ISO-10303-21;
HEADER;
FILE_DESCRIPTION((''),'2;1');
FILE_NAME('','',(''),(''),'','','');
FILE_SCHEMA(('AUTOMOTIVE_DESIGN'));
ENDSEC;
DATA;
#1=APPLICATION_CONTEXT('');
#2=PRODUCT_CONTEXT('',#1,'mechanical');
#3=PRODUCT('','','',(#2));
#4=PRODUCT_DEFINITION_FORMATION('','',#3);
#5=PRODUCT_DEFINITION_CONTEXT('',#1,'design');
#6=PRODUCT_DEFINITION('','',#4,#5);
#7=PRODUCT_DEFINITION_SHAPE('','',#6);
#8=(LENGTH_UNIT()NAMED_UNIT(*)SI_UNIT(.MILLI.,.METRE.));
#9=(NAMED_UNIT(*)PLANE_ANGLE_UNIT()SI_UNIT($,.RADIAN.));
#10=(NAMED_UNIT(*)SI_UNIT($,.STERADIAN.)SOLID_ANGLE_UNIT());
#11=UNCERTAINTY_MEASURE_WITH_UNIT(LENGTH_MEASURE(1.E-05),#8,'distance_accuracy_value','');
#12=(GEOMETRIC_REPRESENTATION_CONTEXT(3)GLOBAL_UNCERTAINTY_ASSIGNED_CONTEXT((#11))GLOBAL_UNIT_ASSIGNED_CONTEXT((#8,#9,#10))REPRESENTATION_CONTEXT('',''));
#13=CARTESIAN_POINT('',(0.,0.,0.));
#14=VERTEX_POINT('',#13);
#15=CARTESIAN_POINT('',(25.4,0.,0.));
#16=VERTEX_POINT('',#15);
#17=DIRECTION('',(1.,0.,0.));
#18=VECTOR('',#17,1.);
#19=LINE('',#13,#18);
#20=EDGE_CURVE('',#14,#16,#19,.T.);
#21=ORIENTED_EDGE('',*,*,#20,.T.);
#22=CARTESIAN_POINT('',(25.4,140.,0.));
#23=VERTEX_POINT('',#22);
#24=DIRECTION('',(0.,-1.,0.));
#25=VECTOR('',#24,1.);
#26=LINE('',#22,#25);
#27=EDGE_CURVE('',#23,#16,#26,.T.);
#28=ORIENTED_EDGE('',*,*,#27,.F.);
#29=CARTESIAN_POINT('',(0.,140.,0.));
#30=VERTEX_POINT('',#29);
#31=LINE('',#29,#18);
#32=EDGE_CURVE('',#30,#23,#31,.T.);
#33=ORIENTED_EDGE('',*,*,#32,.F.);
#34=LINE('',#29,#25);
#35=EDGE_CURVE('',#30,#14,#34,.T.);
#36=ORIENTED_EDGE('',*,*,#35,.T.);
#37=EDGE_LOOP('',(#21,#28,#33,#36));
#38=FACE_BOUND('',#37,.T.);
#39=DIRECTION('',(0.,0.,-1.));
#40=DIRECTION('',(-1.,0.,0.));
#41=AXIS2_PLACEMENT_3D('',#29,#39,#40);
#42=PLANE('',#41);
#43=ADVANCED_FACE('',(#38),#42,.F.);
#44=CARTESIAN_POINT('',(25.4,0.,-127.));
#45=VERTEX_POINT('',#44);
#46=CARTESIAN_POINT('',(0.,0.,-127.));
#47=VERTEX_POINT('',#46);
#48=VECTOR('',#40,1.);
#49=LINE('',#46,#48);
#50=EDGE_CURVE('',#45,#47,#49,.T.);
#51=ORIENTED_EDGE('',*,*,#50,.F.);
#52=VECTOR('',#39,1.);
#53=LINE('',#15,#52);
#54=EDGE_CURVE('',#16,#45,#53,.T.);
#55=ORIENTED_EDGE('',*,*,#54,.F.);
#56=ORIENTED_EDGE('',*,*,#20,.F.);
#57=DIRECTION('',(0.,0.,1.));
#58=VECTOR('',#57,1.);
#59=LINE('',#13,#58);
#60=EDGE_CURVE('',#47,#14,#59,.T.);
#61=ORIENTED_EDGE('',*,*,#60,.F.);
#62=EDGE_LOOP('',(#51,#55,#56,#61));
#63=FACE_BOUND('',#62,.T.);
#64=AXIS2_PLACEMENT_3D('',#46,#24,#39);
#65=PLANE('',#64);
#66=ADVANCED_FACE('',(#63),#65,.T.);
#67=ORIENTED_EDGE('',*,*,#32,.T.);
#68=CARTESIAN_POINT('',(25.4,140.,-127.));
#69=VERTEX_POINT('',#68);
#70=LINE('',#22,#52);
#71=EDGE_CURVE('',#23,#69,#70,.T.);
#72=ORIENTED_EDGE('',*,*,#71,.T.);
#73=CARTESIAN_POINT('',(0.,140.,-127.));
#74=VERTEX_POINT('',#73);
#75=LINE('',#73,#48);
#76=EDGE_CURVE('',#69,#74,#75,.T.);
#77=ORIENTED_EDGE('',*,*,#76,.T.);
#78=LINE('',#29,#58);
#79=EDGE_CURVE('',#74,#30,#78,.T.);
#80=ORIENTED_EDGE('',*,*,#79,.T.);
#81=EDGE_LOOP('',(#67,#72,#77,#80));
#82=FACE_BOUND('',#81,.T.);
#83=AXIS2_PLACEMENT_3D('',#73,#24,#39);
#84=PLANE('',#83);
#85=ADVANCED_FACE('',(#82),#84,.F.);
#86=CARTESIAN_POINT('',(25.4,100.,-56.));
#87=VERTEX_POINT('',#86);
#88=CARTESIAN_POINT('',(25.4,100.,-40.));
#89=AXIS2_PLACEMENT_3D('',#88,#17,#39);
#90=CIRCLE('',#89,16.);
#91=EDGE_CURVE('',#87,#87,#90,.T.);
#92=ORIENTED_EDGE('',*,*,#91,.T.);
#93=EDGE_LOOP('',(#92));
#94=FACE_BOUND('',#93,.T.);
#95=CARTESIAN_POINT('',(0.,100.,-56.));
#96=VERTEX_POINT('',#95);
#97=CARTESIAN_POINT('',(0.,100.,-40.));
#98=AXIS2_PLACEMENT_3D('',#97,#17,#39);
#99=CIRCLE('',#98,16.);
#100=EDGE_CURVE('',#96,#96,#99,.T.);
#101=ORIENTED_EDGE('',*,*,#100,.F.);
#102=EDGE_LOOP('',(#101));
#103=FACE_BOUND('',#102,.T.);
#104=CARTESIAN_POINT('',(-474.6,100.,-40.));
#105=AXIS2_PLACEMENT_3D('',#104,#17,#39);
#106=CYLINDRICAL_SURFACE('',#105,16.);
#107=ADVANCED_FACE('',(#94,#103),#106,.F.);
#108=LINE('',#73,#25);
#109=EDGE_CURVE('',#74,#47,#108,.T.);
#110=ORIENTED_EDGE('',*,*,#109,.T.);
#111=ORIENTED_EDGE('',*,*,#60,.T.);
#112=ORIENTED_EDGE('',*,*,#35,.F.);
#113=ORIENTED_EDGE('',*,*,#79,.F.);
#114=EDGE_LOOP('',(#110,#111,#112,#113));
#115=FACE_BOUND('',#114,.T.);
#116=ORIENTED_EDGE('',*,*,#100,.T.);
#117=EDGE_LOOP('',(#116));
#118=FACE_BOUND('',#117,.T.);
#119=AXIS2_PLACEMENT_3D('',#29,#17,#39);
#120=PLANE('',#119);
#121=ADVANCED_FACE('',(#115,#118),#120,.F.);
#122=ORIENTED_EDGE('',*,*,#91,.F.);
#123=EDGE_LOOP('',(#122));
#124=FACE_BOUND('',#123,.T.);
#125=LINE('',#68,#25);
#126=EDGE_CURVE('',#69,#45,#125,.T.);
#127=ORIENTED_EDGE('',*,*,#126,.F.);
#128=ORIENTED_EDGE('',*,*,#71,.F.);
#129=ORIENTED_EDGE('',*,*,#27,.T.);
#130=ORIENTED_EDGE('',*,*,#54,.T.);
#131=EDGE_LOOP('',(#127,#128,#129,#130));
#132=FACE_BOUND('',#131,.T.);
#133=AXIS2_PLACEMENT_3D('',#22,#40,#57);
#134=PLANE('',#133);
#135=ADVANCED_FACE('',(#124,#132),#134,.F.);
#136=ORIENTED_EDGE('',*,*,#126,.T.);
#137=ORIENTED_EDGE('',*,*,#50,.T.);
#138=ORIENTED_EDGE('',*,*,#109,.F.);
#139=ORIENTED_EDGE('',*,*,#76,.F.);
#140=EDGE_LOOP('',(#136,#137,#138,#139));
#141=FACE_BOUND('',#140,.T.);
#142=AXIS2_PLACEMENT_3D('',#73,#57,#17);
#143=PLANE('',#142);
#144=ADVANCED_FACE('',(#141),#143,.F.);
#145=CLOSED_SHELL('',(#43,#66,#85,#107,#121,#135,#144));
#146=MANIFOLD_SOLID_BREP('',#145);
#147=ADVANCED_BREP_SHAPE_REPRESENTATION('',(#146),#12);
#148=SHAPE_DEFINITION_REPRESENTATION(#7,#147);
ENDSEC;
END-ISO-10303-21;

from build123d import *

# Parameters (mm, degrees)
SKETCH2_W           = 25.4
SKETCH2_H           = 127
BOSS_EXTRUDE1_DEPTH = 140
SKETCH4_R           = 16
CUT_EXTRUDE2_DEPTH  = 500


with BuildPart() as part:
    # Sketch2 → Boss-Extrude1 (new body)
    with BuildSketch(Plane(origin=(0, 0, 0), x_dir=(1, 0, 0), z_dir=(0, 1, 0))):
        with Locations((12.7, 63.5)):
            Rectangle(SKETCH2_W, SKETCH2_H)
    extrude(amount=BOSS_EXTRUDE1_DEPTH)

    # Sketch4 → Cut-Extrude2 (cut)
    with BuildSketch(Plane(origin=(25.4, 0, 0), x_dir=(0, 0, -1), z_dir=(1, 0, 0))):
        with Locations((40, 100)):
            Circle(SKETCH4_R)
    extrude(amount=-CUT_EXTRUDE2_DEPTH, mode=Mode.SUBTRACT)


solid = part.part
